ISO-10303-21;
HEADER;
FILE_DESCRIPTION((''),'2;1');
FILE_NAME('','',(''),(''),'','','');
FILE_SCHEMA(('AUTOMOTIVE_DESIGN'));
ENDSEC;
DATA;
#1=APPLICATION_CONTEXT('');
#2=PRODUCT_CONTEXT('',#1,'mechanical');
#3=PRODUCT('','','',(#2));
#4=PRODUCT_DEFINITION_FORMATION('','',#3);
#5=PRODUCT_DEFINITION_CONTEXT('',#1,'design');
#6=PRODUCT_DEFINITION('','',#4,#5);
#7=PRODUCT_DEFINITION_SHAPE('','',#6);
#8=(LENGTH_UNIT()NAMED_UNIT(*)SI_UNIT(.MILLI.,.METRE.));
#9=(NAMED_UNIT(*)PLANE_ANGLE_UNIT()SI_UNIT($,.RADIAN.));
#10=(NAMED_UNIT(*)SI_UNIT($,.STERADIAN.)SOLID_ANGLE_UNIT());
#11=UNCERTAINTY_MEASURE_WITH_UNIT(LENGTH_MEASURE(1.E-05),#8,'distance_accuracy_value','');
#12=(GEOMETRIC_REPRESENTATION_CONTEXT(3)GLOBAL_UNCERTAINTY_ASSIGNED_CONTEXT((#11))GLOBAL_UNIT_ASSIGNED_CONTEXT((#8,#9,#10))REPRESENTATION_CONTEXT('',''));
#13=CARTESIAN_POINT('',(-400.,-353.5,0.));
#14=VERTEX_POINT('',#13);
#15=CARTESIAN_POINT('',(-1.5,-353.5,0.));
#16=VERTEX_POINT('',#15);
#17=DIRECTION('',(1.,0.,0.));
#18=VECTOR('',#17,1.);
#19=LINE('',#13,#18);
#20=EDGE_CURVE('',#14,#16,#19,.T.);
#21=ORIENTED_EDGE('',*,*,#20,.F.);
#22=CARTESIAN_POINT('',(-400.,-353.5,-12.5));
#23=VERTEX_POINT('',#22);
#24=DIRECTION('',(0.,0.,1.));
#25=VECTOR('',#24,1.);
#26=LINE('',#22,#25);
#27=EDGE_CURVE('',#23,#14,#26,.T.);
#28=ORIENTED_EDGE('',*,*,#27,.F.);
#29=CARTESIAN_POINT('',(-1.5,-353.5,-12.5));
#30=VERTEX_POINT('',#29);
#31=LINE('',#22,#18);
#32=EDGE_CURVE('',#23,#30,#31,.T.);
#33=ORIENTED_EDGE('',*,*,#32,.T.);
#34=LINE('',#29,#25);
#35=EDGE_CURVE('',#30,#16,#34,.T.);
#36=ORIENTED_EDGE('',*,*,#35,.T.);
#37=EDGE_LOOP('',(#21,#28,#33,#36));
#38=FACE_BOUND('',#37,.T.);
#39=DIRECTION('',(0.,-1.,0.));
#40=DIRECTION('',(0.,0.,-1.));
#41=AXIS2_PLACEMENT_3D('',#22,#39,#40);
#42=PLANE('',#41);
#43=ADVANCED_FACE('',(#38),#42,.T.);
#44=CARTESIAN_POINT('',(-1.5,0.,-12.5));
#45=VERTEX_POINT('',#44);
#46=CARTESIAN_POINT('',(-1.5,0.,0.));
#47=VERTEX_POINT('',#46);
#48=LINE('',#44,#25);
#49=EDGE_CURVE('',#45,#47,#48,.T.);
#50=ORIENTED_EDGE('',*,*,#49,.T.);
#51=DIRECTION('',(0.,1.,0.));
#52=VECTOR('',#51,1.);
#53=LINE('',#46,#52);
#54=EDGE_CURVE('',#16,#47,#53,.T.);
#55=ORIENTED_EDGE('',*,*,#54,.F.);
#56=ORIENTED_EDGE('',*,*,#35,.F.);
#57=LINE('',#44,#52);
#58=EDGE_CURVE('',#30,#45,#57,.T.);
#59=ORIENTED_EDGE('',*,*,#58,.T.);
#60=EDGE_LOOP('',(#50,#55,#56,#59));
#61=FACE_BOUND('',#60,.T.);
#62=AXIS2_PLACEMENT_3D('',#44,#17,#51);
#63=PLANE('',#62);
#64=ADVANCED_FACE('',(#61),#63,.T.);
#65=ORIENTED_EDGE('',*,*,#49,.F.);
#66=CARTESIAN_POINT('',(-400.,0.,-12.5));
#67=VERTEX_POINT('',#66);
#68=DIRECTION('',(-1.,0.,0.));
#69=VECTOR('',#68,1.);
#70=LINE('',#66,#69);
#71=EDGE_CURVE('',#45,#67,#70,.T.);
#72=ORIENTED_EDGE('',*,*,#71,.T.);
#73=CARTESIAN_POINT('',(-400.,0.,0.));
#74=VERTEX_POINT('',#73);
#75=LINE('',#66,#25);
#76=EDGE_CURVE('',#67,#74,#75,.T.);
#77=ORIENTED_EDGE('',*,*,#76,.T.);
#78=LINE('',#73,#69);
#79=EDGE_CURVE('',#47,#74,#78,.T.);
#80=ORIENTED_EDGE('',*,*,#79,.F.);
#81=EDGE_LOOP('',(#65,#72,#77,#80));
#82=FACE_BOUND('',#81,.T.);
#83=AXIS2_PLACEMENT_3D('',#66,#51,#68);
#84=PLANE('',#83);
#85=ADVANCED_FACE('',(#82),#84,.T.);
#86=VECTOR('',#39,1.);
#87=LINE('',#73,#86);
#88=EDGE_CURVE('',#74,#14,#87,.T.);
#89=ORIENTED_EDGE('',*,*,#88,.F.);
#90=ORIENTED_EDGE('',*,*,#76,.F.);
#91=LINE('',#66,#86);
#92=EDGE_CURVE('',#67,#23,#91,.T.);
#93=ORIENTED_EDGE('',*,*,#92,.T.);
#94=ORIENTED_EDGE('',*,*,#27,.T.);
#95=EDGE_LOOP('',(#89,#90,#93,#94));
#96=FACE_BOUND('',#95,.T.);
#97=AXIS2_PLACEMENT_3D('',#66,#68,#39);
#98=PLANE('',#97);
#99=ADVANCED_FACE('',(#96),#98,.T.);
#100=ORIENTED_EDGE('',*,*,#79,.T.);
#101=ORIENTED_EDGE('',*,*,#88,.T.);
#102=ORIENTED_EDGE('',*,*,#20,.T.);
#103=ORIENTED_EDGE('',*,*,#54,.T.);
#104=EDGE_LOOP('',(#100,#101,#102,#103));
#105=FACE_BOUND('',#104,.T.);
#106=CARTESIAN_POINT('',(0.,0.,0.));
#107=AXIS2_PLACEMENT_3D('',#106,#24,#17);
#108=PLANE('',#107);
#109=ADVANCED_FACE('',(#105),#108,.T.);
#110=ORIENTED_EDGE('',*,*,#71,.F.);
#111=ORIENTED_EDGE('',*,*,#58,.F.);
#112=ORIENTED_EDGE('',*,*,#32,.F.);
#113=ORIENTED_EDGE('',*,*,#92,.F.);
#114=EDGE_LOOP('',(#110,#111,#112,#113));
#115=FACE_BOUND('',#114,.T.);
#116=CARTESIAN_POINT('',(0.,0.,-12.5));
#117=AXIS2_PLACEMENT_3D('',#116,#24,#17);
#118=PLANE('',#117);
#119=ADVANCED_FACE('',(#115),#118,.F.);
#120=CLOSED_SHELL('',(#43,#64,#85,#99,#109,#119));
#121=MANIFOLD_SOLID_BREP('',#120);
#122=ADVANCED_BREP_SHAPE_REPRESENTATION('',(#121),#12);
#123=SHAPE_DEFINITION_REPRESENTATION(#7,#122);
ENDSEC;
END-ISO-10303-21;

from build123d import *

# Parameters (mm, degrees)
SKETCH_1_W      = 398.5
SKETCH_1_H      = 353.5
EXTRUDE_1_DEPTH = 12.5


with BuildPart() as part:
    # Эскиз1 → Бобышка-Вытянуть1 (new body)
    with BuildSketch(Plane.XY):
        with Locations((-200.75, -176.75)):
            Rectangle(SKETCH_1_W, SKETCH_1_H)
    extrude(amount=-EXTRUDE_1_DEPTH)


solid = part.part
